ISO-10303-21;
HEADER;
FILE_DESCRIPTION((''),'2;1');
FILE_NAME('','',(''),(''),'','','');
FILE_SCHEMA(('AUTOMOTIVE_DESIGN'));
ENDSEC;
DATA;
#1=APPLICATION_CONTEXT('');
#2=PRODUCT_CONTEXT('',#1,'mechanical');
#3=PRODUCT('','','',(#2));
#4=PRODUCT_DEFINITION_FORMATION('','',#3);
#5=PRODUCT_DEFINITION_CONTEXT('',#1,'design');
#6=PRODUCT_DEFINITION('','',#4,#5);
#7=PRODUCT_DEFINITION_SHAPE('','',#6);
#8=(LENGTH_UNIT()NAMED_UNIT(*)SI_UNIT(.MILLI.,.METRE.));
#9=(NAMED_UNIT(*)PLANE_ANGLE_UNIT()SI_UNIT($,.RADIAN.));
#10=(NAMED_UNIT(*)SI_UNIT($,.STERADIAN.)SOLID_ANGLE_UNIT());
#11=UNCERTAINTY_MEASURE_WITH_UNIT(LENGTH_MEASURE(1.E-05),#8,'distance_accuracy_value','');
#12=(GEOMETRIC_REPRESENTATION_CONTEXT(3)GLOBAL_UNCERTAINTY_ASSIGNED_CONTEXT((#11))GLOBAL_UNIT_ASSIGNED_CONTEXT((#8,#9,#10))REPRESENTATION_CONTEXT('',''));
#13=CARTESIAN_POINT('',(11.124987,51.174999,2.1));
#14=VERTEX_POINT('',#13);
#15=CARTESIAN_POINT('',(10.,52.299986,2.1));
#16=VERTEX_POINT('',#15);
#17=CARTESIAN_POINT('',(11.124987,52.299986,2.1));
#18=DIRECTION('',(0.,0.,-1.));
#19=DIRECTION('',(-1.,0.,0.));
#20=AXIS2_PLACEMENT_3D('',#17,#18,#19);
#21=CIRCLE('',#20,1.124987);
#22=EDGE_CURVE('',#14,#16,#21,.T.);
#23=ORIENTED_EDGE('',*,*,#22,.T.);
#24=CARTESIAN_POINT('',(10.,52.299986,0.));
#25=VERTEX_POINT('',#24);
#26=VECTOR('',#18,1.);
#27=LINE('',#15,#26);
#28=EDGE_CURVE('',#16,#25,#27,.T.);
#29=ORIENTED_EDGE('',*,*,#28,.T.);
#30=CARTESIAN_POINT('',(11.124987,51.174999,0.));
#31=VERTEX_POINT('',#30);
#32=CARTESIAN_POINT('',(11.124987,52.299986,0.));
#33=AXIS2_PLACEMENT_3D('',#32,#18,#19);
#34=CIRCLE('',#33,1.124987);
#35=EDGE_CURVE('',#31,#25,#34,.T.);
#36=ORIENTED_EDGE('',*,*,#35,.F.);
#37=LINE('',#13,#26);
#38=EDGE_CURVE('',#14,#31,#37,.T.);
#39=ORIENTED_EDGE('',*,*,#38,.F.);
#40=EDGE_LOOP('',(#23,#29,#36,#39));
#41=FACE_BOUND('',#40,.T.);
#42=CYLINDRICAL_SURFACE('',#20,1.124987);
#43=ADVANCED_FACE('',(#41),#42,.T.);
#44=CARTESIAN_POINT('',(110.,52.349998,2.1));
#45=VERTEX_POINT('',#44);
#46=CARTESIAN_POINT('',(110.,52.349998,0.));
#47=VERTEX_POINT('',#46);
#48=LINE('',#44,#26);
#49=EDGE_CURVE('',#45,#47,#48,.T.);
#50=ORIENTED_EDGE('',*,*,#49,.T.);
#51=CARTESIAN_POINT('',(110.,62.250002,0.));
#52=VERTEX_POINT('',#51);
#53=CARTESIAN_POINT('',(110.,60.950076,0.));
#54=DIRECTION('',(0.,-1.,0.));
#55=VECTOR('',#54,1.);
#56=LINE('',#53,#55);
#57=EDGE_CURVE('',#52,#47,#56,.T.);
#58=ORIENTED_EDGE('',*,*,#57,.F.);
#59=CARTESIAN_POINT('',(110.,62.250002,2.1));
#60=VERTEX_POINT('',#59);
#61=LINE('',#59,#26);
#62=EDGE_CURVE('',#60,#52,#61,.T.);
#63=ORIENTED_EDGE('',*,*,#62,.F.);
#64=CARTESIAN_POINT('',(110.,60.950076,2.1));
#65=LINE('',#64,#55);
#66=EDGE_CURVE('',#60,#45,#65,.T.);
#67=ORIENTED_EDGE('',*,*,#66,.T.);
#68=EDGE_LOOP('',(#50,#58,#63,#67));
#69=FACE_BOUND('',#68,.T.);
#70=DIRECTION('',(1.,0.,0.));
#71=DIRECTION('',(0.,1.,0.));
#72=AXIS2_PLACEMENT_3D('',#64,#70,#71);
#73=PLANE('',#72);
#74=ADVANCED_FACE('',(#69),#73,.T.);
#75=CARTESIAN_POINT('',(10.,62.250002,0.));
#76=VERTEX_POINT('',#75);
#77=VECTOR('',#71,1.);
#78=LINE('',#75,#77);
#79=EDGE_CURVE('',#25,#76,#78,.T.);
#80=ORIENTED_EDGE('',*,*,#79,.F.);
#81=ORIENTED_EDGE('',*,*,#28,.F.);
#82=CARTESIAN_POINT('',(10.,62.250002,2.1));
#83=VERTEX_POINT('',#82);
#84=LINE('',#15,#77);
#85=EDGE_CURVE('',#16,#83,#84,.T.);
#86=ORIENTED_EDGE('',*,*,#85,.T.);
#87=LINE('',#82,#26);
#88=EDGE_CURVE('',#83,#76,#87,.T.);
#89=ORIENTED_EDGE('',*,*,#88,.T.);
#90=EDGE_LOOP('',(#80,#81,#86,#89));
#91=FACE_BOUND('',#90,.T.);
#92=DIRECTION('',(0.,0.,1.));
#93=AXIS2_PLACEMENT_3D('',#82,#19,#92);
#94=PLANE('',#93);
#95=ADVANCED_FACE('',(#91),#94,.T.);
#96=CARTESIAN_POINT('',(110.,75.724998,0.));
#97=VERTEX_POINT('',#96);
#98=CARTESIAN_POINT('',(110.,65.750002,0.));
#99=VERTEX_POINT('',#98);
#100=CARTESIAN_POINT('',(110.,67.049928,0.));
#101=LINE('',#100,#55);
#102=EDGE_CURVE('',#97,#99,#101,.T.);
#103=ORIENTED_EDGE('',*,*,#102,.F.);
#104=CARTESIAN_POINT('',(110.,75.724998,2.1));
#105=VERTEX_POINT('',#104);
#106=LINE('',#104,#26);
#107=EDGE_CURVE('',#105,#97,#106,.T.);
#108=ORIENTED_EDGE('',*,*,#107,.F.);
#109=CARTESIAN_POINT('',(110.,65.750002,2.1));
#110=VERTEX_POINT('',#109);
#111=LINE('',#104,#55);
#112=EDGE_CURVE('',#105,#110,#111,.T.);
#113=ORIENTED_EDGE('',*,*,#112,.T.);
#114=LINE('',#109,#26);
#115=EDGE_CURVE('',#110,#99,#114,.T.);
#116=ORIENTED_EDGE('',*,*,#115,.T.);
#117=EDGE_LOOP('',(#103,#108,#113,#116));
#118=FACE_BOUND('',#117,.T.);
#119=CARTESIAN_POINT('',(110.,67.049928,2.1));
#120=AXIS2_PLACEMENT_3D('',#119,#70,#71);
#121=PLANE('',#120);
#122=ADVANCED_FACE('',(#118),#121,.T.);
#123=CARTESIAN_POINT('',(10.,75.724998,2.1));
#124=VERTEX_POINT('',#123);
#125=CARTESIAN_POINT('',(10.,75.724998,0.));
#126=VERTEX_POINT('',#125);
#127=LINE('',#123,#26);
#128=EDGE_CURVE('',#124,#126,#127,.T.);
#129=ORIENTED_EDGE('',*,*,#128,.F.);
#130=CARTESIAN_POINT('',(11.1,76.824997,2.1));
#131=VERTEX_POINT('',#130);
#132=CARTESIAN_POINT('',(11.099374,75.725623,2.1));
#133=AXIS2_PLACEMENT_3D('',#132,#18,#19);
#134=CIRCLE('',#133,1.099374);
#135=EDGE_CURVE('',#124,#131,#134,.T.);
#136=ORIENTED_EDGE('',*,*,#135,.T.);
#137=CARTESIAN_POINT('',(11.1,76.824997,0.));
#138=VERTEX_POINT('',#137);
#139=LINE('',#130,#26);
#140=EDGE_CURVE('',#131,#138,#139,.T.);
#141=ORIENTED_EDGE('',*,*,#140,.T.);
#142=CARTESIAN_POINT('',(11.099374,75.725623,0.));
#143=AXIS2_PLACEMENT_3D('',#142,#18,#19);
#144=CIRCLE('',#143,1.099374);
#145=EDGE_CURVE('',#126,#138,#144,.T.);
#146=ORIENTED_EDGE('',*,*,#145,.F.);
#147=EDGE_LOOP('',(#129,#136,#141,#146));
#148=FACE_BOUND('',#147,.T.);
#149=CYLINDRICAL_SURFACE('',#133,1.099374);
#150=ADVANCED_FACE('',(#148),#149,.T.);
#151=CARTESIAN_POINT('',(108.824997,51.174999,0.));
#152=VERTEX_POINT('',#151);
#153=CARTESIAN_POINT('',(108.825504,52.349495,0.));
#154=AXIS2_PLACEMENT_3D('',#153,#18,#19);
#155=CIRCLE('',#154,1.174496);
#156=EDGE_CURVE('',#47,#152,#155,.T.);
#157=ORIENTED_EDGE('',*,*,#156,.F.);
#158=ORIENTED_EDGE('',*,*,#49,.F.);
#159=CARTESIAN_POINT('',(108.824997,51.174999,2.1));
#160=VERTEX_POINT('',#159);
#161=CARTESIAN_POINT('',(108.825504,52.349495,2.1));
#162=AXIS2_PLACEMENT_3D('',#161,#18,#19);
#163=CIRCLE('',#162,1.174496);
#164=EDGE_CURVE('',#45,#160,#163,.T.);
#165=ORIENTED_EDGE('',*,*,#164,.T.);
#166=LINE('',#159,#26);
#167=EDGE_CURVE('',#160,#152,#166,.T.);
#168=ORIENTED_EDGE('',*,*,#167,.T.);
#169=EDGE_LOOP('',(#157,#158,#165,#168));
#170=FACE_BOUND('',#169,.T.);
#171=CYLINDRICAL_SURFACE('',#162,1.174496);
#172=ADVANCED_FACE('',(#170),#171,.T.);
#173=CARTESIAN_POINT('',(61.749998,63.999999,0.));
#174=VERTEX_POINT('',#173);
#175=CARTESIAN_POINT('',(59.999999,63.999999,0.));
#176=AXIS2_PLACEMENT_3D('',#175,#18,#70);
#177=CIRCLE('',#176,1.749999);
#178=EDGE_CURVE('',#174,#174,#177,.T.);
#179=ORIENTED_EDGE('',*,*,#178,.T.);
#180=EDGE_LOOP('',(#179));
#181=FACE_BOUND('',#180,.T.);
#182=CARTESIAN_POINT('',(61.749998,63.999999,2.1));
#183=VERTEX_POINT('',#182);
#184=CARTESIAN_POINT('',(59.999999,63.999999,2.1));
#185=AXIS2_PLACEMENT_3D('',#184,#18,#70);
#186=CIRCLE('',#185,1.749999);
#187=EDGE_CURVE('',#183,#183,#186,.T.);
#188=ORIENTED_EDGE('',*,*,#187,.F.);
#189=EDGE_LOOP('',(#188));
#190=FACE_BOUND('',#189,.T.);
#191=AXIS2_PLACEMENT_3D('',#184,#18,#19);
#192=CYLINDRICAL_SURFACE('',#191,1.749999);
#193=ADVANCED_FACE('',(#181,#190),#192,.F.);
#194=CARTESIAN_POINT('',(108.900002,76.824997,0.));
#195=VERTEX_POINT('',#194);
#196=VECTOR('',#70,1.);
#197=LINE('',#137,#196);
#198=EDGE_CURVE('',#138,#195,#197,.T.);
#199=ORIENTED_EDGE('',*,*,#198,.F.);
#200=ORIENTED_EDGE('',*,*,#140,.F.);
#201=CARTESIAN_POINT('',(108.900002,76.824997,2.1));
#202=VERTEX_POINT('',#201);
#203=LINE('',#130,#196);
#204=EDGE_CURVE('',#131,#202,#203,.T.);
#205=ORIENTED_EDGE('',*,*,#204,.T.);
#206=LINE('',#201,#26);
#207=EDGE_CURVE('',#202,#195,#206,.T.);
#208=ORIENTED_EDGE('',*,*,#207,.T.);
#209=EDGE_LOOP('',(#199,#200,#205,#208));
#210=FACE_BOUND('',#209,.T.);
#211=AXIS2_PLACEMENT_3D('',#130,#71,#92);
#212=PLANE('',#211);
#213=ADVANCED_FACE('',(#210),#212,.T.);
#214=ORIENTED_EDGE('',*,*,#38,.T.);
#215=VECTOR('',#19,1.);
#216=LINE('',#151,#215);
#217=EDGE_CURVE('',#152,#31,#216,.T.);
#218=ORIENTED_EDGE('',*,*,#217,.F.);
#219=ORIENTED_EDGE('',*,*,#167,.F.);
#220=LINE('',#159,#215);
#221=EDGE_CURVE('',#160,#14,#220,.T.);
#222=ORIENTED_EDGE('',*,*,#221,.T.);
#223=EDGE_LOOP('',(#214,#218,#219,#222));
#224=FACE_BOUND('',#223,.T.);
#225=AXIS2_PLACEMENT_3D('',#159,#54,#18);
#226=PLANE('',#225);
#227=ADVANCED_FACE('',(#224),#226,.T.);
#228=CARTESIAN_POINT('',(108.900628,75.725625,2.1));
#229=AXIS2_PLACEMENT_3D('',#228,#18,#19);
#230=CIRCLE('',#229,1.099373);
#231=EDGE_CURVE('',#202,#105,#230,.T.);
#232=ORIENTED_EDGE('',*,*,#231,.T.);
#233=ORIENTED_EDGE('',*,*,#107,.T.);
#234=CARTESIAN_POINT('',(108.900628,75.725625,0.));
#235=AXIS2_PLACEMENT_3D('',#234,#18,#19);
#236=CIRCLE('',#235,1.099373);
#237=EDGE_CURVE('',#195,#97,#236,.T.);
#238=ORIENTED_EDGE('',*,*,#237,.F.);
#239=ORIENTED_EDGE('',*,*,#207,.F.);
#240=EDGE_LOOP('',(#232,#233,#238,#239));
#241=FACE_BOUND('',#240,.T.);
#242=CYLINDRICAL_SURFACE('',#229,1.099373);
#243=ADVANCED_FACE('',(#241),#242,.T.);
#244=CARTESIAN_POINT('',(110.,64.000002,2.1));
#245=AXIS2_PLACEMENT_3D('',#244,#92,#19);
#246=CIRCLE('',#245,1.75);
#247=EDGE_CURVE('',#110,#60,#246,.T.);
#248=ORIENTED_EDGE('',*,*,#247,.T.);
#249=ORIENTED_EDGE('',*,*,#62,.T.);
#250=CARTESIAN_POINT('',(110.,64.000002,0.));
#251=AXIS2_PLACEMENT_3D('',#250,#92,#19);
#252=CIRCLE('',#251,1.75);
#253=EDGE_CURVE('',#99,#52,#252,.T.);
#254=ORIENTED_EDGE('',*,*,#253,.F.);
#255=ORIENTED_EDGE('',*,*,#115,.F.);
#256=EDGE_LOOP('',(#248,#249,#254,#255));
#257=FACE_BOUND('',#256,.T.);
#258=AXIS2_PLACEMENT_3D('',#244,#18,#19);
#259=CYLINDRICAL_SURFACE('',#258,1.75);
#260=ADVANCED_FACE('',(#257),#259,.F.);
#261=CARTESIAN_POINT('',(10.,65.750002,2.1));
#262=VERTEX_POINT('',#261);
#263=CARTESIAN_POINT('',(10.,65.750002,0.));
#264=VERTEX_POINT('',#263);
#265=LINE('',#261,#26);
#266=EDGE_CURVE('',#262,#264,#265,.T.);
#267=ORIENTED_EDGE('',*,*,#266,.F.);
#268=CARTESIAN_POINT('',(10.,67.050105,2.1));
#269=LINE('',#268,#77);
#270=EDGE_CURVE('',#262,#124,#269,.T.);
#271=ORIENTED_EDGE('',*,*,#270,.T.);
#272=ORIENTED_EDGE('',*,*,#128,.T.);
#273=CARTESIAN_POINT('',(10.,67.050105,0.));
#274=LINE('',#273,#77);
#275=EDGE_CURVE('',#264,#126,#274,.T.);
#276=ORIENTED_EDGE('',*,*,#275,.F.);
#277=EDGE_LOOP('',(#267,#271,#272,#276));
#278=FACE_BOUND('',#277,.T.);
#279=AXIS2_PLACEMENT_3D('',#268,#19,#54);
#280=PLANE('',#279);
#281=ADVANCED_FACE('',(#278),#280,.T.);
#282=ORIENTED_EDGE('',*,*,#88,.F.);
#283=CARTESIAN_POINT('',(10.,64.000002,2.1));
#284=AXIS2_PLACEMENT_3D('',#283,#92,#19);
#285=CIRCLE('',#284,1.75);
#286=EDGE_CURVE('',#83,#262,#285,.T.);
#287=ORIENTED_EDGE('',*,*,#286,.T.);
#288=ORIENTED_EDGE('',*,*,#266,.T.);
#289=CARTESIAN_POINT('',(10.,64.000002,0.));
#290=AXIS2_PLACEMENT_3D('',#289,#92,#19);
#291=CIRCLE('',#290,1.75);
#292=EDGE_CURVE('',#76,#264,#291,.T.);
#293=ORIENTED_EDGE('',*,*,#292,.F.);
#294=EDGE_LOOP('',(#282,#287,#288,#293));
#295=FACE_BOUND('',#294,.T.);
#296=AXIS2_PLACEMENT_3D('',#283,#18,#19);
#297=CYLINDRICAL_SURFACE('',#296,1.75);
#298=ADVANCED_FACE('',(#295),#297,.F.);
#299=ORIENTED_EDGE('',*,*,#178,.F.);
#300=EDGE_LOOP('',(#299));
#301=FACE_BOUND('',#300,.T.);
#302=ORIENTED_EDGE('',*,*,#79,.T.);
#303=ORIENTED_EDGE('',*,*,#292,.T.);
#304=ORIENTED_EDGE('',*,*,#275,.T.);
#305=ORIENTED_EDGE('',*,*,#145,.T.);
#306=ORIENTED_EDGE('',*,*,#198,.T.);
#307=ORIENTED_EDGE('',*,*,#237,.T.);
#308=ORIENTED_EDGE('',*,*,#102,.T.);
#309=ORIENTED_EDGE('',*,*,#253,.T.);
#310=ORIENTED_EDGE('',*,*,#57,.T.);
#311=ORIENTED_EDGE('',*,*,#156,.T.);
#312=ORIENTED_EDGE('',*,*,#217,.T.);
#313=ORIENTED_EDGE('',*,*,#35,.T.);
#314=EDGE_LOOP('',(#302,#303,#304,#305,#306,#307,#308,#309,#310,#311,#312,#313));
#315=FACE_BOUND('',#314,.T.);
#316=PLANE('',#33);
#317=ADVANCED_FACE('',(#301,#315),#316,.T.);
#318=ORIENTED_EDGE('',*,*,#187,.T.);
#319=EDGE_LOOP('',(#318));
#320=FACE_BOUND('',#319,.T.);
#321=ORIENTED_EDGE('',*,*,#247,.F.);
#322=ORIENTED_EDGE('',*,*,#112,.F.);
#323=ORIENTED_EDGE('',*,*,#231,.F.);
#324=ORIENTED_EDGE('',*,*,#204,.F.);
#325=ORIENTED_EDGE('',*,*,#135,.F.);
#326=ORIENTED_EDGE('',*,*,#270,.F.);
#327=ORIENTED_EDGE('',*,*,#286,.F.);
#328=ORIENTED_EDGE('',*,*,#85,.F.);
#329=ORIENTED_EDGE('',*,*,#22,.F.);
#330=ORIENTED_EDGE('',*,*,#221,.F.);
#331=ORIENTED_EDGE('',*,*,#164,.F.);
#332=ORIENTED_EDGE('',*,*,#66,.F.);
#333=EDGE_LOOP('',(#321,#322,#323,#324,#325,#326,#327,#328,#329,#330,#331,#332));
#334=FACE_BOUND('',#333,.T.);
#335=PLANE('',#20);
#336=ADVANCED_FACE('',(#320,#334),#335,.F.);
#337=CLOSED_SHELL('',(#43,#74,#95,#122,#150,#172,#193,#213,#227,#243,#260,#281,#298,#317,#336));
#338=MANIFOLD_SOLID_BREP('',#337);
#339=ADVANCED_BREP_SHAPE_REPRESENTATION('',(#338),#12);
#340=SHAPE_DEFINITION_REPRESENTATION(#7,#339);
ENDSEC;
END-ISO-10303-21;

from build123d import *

# Parameters (mm, degrees)
SKETCH_1_R      = 1.74999904
EXTRUDE_1_DEPTH = 2.1


with BuildPart() as part:
    # Эскиз1 → Бобышка-Вытянуть1 (new body)
    with BuildSketch(Plane(origin=(0, 0, 0), x_dir=(-1, 0, 0), z_dir=(0, 0, -1))):
        with BuildLine():
            Line((-10, 52.299986006), (-10, 60.949899147))
            Line((-10, 60.949899147), (-10, 62.250001907))
            ThreePointArc((-10, 62.250001907), (-11.75, 64.000001907), (-10, 65.750001907))
            Line((-10, 65.750001907), (-10, 67.050104668))
            Line((-10, 67.050104668), (-10, 75.724998474))
            ThreePointArc((-10, 75.724998474), (-10.321999748, 76.50299855), (-11.100000381, 76.824996948))
            Line((-11.100000381, 76.824996948), (-108.900001526, 76.824996948))
            ThreePointArc((-108.900001526, 76.824996948), (-109.678001404, 76.502998352), (-110, 75.724998474))
            Line((-110, 75.724998474), (-110, 67.049927724))
            Line((-110, 67.049927724), (-110, 65.750001907))
            ThreePointArc((-110, 65.750001907), (-108.25, 64.000001907), (-110, 62.250001907))
            Line((-110, 62.250001907), (-110, 60.950076091))
            Line((-110, 60.950076091), (-110, 52.349998474))
            ThreePointArc((-110, 52.349998474), (-109.655996881, 51.518999658), (-108.824996948, 51.174999237))
            Line((-108.824996948, 51.174999237), (-11.124986768, 51.174999237))
            ThreePointArc((-11.124986768, 51.174999237), (-10.329500996, 51.504500233), (-10, 52.299986006))
        make_face()
        with Locations((-59.99999938, 63.999999)):
            Circle(SKETCH_1_R, mode=Mode.SUBTRACT)
    extrude(amount=-EXTRUDE_1_DEPTH)


solid = part.part
